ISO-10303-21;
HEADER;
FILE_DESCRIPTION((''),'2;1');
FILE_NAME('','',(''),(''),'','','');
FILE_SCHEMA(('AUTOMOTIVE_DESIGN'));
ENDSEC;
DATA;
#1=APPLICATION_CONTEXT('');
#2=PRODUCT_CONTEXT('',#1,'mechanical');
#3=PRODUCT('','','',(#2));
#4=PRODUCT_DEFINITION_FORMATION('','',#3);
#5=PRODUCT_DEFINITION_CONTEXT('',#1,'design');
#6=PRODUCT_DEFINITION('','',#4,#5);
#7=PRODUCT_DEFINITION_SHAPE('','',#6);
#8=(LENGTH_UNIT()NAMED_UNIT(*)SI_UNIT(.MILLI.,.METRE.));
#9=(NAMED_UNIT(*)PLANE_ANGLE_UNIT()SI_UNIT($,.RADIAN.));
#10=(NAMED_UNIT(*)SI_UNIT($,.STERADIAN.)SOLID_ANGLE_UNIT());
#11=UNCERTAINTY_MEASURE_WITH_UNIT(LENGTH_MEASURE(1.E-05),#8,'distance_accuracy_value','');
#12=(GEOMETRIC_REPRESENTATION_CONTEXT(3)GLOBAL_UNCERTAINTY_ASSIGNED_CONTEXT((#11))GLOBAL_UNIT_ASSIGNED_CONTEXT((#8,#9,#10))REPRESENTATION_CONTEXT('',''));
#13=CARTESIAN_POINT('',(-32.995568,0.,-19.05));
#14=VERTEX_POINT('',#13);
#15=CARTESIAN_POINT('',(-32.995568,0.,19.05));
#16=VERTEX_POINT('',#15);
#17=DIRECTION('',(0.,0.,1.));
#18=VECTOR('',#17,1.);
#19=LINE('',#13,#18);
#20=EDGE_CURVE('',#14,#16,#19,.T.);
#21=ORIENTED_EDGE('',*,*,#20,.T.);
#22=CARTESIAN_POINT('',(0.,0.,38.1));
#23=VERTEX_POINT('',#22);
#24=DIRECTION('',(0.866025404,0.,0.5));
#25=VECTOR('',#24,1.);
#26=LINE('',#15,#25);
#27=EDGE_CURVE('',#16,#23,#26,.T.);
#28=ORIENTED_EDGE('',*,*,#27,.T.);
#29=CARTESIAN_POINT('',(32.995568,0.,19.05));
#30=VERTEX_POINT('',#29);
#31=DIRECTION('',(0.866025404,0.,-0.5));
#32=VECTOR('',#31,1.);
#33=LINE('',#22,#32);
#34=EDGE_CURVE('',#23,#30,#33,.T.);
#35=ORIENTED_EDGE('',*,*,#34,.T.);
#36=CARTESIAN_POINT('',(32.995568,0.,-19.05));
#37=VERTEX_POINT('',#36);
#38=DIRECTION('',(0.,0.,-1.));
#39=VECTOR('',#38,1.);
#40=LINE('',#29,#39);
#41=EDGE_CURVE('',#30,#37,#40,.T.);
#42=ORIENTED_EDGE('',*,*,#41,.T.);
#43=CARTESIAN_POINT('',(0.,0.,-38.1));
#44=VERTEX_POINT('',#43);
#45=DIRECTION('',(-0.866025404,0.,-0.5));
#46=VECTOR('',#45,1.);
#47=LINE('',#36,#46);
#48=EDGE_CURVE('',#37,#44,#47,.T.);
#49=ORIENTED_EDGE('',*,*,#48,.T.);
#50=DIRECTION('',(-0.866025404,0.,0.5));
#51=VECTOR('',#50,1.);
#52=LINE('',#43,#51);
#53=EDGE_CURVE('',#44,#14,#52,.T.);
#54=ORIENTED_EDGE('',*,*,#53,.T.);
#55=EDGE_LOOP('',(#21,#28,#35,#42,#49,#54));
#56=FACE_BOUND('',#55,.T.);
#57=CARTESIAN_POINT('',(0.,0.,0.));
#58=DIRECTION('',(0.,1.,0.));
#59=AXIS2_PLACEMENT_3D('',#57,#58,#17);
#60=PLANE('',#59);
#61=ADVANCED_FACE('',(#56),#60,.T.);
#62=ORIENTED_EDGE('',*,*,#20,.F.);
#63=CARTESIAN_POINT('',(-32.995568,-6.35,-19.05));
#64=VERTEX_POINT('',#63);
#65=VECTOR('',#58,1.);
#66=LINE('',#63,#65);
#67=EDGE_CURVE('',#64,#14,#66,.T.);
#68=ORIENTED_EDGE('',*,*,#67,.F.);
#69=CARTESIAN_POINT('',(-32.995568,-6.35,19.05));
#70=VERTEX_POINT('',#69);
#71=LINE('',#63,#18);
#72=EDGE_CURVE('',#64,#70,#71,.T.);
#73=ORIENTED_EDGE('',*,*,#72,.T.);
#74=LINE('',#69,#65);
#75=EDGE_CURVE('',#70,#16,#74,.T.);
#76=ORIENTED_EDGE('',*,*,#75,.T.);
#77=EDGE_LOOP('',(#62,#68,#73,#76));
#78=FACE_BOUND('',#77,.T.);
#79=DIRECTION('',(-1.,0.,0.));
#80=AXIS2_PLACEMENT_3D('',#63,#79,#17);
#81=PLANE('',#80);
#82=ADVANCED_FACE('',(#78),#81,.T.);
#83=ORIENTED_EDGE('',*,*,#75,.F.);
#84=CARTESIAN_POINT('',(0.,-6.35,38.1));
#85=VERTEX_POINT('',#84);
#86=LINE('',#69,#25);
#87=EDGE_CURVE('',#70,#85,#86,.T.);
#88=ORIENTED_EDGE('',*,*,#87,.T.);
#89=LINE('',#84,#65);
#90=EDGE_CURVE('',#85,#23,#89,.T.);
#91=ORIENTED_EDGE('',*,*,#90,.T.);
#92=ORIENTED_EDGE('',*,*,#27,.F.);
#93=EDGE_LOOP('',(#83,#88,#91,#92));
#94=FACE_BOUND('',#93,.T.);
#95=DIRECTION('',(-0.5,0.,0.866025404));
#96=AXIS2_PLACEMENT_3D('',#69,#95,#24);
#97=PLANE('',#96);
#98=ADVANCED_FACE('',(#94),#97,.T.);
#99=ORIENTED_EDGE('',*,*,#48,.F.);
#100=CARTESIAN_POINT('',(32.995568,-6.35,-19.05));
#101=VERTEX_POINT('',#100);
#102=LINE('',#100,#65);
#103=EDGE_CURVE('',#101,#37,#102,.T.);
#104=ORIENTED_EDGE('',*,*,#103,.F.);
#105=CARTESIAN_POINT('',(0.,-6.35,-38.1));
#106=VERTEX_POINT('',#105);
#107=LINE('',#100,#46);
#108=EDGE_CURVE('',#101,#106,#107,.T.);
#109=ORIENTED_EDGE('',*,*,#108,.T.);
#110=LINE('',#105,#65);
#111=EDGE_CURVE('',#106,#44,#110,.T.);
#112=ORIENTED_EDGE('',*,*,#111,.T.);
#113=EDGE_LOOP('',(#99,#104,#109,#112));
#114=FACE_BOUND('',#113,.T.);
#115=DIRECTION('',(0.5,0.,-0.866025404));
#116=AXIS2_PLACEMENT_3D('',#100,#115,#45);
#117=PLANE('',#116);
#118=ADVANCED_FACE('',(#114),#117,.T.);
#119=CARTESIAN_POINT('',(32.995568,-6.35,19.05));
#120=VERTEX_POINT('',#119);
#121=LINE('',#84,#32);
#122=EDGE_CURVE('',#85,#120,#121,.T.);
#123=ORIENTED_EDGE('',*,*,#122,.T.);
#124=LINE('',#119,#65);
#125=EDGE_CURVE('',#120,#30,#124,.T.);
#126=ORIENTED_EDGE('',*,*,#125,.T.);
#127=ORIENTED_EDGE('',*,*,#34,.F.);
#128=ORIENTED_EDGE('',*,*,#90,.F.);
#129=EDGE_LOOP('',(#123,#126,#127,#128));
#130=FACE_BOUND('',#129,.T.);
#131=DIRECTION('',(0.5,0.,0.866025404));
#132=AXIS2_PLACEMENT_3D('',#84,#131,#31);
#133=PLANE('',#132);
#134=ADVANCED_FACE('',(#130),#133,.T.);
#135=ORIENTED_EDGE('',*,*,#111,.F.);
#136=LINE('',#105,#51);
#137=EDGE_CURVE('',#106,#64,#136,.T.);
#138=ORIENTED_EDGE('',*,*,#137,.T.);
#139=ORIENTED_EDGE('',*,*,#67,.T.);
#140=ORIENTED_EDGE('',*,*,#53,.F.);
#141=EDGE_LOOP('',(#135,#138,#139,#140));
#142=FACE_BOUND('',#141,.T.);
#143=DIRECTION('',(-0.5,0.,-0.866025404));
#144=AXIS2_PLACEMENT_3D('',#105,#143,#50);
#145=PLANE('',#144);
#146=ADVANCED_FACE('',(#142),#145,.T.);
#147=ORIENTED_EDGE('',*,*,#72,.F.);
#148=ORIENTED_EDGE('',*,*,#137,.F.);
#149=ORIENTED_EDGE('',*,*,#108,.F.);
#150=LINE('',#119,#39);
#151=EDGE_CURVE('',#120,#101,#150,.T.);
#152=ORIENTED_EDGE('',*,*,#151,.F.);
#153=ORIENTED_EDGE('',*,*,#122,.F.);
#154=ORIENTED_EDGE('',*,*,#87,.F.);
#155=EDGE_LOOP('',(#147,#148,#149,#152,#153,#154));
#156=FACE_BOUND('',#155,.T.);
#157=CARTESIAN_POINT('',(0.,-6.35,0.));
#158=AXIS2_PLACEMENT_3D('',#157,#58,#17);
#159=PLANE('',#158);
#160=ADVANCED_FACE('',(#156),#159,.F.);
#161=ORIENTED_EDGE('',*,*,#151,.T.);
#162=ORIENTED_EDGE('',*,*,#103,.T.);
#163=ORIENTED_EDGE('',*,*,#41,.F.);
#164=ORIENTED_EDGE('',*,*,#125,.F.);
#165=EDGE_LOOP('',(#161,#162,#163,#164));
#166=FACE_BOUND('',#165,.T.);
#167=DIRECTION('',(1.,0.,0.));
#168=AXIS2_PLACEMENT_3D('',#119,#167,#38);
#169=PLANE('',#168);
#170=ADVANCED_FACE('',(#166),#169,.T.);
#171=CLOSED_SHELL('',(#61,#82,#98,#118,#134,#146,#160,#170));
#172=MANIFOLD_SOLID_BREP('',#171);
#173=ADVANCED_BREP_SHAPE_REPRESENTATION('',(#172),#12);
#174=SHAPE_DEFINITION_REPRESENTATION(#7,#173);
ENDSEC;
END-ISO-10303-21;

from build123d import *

# Parameters (mm, degrees)
BOSS_EXTRUDE1_DEPTH = 6.35


with BuildPart() as part:
    # Sketch1 → Boss-Extrude1 (new body)
    with BuildSketch(Plane(origin=(0, 0, 0), x_dir=(1, 0, 0), z_dir=(0, 1, 0))):
        Polygon((32.995567884, 19.05), (0, 38.1), (-32.995567884, 19.05), (-32.995567884, -19.05), (0, -38.1), (32.995567884, -19.05), align=None)
    extrude(amount=-BOSS_EXTRUDE1_DEPTH)


solid = part.part
